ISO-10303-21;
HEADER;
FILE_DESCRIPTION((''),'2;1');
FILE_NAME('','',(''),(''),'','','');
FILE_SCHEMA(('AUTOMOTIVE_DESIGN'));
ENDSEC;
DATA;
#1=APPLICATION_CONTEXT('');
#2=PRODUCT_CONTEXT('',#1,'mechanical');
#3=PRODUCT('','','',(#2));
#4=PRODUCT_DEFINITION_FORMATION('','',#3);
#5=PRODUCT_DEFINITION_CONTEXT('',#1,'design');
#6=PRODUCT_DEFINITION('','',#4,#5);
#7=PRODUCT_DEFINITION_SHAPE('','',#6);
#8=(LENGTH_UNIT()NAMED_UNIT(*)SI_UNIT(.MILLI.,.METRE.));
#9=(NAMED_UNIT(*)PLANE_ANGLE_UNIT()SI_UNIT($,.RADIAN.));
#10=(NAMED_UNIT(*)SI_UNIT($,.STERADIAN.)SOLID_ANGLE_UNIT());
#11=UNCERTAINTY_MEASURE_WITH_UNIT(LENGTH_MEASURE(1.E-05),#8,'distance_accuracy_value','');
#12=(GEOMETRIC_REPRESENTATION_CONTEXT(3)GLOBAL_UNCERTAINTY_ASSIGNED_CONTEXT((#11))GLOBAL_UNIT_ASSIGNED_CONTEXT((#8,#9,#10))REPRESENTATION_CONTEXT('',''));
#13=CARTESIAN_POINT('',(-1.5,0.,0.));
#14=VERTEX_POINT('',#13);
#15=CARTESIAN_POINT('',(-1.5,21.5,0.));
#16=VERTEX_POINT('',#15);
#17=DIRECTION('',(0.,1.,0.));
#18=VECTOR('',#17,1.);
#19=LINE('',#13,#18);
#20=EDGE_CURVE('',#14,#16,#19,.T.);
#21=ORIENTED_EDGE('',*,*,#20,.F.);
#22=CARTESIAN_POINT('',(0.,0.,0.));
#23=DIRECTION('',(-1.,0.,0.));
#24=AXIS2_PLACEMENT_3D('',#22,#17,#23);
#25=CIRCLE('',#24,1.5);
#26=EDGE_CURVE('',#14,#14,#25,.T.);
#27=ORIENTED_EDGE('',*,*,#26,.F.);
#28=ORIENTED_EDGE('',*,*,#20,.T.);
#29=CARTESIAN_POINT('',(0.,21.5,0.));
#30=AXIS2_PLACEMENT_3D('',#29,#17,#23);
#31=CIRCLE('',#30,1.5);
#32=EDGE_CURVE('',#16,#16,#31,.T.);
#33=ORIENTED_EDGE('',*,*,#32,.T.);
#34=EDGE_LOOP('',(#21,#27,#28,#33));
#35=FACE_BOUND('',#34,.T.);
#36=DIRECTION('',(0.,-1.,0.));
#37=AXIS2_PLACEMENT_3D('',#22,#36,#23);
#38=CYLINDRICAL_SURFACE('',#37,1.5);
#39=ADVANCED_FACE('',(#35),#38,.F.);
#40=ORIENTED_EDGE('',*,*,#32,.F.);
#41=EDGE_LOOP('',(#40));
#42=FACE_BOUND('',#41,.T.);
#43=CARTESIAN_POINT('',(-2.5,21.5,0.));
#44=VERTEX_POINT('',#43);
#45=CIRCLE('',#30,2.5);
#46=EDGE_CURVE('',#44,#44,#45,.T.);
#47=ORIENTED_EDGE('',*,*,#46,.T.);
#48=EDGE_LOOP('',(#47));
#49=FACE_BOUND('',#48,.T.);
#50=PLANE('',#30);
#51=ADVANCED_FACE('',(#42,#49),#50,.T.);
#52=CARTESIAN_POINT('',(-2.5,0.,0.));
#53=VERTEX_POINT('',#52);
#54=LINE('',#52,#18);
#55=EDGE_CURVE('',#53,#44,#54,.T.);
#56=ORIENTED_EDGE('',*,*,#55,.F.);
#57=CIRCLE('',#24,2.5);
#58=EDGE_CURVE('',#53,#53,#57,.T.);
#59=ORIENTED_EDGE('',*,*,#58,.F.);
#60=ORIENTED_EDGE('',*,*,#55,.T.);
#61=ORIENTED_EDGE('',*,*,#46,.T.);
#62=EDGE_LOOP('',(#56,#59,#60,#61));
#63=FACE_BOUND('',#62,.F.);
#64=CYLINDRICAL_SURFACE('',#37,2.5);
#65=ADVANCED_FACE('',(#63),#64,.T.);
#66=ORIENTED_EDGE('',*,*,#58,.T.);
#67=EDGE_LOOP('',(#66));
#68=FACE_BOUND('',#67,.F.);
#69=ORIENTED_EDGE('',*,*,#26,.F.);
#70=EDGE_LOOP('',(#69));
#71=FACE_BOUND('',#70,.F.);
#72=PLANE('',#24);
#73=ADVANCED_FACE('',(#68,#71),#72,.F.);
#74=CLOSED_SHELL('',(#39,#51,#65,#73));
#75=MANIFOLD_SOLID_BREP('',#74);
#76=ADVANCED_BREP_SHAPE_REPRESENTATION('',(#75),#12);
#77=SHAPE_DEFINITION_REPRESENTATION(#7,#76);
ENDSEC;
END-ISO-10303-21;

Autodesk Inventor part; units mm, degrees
ref_plane "YZ Plane" through (0, 0, 0) normal (1, 0, 0) x (0, 1, 0)
ref_plane "XZ Plane" through (0, 0, 0) normal (0, 1, 0) x (-1, 0, 0)
ref_plane "XY Plane" through (0, 0, 0) normal (0, 0, 1) x (1, 0, 0)
sketch "Эскиз1" plane through (0, 0, 0) normal (0, 1, 0) x (-1, 0, 0)
  circle A0 centre (0, 0) radius 2.5
  circle A1 centre (0, 0) radius 1.5
  dimension "d0" = 5
  dimension "d1" = 3
extrude "Выдавливание1" add sketch "Эскиз1" along normal blind 21.5
properties part number "rack"
